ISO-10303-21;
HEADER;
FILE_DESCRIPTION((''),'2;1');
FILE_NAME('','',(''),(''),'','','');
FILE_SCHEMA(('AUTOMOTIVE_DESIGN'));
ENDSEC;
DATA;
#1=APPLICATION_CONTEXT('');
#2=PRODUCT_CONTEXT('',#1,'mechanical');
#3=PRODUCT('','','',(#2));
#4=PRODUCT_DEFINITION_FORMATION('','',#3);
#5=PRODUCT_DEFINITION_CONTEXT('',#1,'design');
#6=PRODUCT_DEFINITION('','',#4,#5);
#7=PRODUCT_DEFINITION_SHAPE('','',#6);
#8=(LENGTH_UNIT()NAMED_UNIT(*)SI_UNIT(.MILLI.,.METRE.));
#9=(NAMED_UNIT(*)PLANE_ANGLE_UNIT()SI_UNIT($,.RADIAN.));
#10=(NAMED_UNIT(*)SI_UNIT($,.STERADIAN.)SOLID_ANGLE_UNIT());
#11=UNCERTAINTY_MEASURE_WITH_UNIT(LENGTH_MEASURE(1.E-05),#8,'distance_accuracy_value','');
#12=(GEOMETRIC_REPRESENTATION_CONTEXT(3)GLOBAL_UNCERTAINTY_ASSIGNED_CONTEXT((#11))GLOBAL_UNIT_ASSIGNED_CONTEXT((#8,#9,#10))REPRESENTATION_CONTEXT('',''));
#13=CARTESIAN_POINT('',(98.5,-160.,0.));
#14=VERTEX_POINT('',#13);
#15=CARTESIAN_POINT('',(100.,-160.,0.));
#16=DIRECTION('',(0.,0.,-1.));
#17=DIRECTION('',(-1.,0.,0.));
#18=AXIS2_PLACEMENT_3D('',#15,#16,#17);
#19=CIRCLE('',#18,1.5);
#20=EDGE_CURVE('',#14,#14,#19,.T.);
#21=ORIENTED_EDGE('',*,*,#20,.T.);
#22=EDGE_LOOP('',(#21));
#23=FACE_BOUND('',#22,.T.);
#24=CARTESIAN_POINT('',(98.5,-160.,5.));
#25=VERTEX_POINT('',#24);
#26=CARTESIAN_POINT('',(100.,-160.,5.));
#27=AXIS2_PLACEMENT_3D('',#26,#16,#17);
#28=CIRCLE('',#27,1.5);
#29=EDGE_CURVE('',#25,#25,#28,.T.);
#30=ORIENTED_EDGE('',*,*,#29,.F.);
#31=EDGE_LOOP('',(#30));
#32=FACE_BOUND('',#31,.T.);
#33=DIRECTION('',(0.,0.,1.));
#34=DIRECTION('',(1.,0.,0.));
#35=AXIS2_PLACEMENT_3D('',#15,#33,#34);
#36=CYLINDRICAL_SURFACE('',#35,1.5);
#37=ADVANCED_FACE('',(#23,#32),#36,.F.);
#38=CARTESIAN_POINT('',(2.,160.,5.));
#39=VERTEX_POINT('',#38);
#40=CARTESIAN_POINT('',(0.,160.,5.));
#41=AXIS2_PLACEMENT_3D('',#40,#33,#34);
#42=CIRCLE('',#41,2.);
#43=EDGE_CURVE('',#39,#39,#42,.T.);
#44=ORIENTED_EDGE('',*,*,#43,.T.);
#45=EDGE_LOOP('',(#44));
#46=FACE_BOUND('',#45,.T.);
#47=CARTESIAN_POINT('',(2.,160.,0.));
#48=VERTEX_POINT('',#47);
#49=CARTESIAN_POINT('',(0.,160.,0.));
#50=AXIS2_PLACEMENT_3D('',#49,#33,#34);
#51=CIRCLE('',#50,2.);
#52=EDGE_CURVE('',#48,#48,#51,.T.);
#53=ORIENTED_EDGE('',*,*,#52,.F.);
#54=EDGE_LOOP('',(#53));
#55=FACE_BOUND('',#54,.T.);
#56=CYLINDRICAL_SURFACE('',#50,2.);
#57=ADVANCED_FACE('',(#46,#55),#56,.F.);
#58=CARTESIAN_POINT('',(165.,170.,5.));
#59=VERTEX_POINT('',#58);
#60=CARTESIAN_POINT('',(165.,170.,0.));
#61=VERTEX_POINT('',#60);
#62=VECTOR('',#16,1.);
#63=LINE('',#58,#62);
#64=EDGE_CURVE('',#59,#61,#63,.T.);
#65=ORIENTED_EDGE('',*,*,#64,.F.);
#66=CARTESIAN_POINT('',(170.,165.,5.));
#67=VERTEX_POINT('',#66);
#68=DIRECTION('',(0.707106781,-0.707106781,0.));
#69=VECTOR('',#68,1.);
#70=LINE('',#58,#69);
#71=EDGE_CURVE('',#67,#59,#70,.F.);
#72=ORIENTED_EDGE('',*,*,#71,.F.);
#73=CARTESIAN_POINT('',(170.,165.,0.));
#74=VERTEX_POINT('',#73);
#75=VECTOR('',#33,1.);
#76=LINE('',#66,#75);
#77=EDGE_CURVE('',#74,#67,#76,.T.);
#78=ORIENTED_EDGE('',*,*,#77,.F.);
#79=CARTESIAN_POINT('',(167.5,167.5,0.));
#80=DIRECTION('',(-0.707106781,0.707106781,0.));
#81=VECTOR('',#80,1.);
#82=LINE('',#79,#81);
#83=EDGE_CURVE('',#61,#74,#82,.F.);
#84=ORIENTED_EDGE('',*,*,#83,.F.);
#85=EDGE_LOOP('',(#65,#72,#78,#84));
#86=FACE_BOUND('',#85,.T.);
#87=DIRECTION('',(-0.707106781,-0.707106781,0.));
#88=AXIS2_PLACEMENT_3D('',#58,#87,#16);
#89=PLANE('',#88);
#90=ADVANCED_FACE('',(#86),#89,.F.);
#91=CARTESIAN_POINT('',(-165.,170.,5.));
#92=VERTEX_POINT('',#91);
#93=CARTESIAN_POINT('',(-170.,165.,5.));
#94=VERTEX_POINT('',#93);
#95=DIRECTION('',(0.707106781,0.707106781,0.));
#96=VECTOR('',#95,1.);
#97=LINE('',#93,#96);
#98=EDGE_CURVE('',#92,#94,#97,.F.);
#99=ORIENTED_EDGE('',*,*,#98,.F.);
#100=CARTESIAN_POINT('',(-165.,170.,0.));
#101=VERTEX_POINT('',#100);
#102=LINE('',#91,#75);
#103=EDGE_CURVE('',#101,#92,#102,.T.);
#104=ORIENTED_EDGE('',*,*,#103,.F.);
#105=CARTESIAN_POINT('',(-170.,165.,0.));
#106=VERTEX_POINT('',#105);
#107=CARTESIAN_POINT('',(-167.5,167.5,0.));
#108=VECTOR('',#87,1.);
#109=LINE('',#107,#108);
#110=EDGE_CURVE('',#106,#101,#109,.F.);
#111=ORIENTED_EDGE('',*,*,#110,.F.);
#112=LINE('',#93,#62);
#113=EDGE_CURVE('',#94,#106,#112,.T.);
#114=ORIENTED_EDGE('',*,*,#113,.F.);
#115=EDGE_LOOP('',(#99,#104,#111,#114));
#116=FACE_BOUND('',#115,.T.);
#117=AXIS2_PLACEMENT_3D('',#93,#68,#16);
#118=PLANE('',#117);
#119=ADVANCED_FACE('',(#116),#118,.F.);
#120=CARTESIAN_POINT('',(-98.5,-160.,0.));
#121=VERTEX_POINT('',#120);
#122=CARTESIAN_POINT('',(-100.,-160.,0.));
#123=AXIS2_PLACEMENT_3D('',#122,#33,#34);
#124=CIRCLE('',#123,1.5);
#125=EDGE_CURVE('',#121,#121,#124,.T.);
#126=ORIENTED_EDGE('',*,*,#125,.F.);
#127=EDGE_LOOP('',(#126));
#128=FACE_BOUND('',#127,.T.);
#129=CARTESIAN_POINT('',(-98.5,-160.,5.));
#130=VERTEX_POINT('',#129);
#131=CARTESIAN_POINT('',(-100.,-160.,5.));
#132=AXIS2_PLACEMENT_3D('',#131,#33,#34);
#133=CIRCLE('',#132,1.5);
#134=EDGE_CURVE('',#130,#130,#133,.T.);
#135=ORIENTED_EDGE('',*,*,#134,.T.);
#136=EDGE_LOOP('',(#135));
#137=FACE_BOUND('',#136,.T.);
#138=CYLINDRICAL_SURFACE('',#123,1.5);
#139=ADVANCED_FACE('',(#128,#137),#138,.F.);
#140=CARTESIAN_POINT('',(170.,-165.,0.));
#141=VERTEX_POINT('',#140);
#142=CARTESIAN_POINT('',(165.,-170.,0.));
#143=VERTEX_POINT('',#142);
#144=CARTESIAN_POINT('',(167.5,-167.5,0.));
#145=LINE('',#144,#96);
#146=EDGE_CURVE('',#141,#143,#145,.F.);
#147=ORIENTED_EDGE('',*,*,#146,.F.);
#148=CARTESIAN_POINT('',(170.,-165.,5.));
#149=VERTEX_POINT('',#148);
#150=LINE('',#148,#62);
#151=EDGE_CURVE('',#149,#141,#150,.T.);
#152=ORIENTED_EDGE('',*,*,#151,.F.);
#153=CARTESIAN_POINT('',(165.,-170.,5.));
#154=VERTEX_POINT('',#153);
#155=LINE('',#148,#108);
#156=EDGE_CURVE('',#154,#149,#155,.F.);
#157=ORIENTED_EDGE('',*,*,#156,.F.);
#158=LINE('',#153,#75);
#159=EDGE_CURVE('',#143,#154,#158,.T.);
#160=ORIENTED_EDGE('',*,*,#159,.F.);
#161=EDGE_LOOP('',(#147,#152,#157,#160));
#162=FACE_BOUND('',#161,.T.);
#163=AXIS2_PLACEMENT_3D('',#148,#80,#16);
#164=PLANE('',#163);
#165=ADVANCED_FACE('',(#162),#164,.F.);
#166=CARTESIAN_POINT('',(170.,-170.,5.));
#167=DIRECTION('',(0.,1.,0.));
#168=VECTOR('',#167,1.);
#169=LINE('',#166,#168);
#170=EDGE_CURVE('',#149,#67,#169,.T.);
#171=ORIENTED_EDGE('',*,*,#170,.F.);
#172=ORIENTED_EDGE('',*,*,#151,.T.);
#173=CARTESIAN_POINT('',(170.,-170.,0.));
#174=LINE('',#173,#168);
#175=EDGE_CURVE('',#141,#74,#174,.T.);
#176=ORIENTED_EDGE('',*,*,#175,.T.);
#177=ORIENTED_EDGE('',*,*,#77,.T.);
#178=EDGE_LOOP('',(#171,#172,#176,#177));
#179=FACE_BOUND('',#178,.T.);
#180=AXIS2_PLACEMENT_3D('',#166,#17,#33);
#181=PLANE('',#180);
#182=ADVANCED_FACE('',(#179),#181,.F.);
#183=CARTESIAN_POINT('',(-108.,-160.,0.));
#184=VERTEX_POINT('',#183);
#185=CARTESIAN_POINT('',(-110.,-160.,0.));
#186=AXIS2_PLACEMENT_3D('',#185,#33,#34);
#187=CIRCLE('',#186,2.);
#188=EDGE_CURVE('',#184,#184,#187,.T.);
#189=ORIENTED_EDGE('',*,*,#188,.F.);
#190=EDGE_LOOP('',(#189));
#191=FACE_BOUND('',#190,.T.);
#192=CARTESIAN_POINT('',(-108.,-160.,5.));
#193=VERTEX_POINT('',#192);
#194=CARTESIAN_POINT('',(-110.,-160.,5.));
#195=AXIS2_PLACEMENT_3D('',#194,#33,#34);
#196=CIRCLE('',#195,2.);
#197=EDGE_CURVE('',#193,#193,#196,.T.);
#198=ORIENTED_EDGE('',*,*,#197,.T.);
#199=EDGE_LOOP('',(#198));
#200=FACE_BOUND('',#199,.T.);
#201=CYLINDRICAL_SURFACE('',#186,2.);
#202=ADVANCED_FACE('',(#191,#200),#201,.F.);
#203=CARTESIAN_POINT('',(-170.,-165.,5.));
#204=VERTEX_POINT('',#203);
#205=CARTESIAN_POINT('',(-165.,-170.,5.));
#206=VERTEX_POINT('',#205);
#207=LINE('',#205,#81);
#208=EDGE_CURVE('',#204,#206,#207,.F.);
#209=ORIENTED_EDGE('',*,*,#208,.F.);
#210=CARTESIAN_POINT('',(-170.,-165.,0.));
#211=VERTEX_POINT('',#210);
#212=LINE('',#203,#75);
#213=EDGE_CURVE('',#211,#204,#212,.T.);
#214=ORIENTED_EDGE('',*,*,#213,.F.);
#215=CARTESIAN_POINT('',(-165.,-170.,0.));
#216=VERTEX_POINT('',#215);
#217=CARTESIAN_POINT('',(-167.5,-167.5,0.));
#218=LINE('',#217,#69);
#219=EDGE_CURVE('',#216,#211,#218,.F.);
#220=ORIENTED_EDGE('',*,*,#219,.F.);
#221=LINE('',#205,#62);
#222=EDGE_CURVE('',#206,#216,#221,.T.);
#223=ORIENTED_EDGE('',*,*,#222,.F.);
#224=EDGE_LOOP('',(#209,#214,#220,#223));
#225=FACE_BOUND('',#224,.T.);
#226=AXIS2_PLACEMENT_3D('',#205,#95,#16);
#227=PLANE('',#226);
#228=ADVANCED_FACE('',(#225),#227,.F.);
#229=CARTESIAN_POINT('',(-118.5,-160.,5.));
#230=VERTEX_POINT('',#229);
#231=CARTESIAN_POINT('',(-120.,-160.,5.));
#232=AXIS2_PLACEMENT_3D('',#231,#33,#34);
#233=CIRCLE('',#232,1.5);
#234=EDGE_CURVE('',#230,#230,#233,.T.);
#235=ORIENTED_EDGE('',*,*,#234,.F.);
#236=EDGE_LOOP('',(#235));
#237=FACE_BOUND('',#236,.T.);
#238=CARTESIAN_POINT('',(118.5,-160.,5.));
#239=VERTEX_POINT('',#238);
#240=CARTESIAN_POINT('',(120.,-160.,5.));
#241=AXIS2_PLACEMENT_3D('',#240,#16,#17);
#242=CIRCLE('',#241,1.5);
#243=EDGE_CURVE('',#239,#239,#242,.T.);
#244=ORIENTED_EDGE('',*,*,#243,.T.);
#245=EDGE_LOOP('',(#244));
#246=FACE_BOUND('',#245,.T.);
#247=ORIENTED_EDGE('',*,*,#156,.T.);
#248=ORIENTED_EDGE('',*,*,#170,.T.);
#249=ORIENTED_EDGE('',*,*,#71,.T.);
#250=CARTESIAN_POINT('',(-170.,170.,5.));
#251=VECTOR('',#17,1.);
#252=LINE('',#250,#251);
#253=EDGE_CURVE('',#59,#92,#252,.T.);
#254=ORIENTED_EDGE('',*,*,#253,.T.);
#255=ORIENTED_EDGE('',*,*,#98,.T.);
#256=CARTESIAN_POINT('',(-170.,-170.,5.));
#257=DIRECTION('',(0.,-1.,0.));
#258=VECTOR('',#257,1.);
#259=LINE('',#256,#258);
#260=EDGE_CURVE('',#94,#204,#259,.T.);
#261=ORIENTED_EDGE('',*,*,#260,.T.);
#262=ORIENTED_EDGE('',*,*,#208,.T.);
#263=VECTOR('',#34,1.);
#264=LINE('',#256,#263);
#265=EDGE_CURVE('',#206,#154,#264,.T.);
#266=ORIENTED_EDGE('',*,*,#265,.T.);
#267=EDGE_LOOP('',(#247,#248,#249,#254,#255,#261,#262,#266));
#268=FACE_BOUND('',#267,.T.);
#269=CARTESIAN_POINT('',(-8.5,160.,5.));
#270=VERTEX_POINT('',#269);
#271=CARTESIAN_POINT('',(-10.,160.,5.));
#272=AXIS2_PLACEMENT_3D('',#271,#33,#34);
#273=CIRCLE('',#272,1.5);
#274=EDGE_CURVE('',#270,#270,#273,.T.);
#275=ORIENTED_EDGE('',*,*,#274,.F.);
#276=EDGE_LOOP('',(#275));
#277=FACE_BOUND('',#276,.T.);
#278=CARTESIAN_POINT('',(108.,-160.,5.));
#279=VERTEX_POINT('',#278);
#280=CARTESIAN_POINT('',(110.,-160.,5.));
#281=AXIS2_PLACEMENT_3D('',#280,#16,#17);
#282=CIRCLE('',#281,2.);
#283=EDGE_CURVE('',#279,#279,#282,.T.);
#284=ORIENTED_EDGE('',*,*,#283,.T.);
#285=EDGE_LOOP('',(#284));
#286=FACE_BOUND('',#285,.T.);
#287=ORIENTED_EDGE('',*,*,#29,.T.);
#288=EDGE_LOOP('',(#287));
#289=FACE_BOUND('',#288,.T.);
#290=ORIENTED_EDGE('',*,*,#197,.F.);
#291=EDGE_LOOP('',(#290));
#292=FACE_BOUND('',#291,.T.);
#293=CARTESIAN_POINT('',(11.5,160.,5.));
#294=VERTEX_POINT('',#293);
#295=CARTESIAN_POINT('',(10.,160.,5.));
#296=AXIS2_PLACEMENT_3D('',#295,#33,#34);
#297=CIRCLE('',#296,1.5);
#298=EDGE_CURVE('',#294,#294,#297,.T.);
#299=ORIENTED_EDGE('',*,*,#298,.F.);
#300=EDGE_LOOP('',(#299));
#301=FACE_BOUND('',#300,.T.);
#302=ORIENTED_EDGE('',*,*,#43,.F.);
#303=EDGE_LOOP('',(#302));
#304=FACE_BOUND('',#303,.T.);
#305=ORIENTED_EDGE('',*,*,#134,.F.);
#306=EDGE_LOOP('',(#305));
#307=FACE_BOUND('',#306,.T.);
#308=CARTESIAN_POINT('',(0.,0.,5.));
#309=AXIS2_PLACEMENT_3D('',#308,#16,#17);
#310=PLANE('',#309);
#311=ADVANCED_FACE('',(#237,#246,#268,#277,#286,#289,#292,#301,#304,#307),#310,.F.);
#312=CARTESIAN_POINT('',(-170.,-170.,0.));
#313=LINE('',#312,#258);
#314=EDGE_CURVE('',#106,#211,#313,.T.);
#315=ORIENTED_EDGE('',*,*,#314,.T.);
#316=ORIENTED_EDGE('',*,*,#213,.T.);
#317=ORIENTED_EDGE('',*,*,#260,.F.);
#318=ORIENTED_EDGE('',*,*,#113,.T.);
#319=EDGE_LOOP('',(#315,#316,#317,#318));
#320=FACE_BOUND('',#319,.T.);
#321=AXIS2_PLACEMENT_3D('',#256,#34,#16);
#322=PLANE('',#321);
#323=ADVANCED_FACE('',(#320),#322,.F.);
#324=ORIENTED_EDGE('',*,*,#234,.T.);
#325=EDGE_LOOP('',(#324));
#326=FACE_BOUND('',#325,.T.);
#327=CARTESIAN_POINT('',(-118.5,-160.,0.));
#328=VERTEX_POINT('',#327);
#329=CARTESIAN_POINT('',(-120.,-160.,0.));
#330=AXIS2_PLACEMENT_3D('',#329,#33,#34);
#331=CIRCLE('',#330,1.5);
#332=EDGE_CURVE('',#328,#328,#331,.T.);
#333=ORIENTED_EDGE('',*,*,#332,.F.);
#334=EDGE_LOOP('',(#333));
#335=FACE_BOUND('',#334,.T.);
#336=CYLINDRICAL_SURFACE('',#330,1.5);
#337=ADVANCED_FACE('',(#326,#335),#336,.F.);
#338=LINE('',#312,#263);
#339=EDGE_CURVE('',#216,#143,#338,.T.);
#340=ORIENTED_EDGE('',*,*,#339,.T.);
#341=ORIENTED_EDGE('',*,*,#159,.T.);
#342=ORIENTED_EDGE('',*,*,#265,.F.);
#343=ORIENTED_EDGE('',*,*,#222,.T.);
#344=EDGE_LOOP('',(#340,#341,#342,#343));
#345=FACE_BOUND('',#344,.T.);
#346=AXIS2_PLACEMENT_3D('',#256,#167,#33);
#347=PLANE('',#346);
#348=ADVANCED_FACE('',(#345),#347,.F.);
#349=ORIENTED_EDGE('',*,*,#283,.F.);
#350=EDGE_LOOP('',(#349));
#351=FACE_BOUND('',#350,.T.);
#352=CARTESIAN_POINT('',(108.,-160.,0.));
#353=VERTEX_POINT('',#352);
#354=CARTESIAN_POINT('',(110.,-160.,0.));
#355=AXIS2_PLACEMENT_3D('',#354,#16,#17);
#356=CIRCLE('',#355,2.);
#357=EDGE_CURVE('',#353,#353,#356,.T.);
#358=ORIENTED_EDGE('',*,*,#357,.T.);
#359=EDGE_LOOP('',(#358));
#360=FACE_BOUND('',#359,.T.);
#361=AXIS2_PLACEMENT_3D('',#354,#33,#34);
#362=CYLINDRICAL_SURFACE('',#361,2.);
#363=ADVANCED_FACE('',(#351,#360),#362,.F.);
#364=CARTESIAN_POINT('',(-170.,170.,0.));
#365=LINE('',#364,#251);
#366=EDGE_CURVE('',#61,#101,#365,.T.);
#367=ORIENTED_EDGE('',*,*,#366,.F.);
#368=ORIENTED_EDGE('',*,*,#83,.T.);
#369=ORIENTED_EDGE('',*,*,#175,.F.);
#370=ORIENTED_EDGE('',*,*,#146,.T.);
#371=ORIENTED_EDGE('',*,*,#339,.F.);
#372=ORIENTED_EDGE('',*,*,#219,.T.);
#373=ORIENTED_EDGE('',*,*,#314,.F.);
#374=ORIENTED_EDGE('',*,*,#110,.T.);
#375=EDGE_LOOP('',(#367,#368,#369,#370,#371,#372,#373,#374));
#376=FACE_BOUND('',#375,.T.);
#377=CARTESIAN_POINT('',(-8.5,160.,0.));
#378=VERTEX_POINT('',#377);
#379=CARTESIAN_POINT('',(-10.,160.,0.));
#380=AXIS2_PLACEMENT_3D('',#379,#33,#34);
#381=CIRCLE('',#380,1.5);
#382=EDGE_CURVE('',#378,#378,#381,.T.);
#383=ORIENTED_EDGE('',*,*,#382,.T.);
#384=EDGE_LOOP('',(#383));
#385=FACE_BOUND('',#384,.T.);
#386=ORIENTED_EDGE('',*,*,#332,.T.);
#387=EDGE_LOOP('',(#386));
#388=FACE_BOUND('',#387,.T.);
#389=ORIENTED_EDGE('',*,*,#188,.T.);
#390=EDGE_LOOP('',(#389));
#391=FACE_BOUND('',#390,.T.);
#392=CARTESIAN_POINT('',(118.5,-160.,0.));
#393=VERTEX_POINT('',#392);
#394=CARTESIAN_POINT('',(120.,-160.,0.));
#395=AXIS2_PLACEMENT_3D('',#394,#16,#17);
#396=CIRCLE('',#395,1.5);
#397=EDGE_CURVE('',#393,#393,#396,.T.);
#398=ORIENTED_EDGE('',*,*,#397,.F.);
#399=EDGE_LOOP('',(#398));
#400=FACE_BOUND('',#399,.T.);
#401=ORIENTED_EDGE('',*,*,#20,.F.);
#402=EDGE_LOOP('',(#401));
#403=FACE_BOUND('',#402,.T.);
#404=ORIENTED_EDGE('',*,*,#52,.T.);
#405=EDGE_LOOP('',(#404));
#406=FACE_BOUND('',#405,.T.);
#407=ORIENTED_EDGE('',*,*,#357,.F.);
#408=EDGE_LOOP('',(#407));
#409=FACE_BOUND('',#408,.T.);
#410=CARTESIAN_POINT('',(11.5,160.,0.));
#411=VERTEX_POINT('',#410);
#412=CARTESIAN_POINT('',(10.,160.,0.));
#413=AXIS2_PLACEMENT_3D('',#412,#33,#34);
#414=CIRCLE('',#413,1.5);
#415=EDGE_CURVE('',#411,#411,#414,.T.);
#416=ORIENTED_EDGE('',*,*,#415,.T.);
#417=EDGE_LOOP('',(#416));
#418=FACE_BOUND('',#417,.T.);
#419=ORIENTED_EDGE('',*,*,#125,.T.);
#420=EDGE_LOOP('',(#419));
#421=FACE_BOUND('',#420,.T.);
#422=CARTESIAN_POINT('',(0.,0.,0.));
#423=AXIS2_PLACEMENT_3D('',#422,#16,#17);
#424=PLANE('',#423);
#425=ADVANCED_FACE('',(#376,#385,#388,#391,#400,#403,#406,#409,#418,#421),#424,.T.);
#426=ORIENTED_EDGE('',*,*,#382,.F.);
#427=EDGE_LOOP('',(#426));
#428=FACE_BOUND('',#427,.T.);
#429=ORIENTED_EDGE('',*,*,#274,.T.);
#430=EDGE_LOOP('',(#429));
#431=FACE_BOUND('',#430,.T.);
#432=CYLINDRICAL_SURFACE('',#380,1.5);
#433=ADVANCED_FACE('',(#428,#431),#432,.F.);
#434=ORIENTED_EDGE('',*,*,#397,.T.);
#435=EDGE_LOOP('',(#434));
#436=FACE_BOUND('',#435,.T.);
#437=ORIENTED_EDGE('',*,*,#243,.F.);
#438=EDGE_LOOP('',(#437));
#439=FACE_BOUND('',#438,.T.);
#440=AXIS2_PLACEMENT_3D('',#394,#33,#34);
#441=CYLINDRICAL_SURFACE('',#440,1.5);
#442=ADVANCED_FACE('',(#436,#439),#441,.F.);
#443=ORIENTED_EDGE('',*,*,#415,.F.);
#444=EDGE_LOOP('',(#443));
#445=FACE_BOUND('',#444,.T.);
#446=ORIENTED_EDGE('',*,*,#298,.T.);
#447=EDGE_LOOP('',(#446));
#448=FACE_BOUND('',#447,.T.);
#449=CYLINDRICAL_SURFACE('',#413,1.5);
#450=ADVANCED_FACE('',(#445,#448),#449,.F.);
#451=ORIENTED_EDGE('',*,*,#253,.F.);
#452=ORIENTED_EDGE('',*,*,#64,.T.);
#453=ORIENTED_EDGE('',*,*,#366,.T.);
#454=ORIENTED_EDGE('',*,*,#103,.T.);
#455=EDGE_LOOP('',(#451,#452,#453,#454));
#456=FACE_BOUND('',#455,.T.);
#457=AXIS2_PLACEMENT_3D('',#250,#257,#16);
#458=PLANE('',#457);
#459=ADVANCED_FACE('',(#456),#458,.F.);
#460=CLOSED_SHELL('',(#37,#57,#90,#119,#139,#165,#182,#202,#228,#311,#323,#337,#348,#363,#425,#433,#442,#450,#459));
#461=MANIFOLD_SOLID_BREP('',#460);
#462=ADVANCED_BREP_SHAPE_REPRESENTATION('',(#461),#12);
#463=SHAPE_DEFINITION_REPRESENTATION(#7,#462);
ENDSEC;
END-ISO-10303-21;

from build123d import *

# Parameters (mm, degrees)
SKETCH1_W           = 340
SKETCH1_H           = 340
BOSS_EXTRUDE1_DEPTH = 5
SKETCH3_R           = 1.5
SKETCH3_R_2         = 2
CUT_EXTRUDE2_DEPTH  = 241.468293128
CHAMFER1_SIZE       = 5


with BuildPart() as part:
    # Sketch1 → Boss-Extrude1 (new body)
    with BuildSketch(Plane.XY):
        Rectangle(SKETCH1_W, SKETCH1_H)
    extrude(amount=BOSS_EXTRUDE1_DEPTH)

    # Sketch3 → Cut-Extrude2 (cut, through all)
    with BuildSketch(Plane.XY.offset(5)):
        with Locations((-120, -160)):
            Circle(SKETCH3_R)
        with Locations((-110, -160)):
            Circle(SKETCH3_R_2)
        with Locations((-100, -160)):
            Circle(SKETCH3_R)
        with Locations((-10, 160)):
            Circle(SKETCH3_R)
        with Locations((0, 160)):
            Circle(SKETCH3_R_2)
        with Locations((10, 160)):
            Circle(SKETCH3_R)
    cut_extrude2 = extrude(amount=-CUT_EXTRUDE2_DEPTH, mode=Mode.SUBTRACT)

    # Mirror1: Cut-Extrude2 across plane
    add(cut_extrude2.mirror(Plane(origin=(0, 0, 0), x_dir=(0, 0, 1), z_dir=(1, 0, 0))), mode=Mode.SUBTRACT)

    # Chamfer1
    chamfer1_edges = [part.edges().sort_by_distance(p)[0] for p in [
        (170, -170, 2.5),
        (-170, -170, 2.5),
        (-170, 170, 2.5),
        (170, 170, 2.5),
    ]]
    chamfer(chamfer1_edges, length=CHAMFER1_SIZE)


solid = part.part
